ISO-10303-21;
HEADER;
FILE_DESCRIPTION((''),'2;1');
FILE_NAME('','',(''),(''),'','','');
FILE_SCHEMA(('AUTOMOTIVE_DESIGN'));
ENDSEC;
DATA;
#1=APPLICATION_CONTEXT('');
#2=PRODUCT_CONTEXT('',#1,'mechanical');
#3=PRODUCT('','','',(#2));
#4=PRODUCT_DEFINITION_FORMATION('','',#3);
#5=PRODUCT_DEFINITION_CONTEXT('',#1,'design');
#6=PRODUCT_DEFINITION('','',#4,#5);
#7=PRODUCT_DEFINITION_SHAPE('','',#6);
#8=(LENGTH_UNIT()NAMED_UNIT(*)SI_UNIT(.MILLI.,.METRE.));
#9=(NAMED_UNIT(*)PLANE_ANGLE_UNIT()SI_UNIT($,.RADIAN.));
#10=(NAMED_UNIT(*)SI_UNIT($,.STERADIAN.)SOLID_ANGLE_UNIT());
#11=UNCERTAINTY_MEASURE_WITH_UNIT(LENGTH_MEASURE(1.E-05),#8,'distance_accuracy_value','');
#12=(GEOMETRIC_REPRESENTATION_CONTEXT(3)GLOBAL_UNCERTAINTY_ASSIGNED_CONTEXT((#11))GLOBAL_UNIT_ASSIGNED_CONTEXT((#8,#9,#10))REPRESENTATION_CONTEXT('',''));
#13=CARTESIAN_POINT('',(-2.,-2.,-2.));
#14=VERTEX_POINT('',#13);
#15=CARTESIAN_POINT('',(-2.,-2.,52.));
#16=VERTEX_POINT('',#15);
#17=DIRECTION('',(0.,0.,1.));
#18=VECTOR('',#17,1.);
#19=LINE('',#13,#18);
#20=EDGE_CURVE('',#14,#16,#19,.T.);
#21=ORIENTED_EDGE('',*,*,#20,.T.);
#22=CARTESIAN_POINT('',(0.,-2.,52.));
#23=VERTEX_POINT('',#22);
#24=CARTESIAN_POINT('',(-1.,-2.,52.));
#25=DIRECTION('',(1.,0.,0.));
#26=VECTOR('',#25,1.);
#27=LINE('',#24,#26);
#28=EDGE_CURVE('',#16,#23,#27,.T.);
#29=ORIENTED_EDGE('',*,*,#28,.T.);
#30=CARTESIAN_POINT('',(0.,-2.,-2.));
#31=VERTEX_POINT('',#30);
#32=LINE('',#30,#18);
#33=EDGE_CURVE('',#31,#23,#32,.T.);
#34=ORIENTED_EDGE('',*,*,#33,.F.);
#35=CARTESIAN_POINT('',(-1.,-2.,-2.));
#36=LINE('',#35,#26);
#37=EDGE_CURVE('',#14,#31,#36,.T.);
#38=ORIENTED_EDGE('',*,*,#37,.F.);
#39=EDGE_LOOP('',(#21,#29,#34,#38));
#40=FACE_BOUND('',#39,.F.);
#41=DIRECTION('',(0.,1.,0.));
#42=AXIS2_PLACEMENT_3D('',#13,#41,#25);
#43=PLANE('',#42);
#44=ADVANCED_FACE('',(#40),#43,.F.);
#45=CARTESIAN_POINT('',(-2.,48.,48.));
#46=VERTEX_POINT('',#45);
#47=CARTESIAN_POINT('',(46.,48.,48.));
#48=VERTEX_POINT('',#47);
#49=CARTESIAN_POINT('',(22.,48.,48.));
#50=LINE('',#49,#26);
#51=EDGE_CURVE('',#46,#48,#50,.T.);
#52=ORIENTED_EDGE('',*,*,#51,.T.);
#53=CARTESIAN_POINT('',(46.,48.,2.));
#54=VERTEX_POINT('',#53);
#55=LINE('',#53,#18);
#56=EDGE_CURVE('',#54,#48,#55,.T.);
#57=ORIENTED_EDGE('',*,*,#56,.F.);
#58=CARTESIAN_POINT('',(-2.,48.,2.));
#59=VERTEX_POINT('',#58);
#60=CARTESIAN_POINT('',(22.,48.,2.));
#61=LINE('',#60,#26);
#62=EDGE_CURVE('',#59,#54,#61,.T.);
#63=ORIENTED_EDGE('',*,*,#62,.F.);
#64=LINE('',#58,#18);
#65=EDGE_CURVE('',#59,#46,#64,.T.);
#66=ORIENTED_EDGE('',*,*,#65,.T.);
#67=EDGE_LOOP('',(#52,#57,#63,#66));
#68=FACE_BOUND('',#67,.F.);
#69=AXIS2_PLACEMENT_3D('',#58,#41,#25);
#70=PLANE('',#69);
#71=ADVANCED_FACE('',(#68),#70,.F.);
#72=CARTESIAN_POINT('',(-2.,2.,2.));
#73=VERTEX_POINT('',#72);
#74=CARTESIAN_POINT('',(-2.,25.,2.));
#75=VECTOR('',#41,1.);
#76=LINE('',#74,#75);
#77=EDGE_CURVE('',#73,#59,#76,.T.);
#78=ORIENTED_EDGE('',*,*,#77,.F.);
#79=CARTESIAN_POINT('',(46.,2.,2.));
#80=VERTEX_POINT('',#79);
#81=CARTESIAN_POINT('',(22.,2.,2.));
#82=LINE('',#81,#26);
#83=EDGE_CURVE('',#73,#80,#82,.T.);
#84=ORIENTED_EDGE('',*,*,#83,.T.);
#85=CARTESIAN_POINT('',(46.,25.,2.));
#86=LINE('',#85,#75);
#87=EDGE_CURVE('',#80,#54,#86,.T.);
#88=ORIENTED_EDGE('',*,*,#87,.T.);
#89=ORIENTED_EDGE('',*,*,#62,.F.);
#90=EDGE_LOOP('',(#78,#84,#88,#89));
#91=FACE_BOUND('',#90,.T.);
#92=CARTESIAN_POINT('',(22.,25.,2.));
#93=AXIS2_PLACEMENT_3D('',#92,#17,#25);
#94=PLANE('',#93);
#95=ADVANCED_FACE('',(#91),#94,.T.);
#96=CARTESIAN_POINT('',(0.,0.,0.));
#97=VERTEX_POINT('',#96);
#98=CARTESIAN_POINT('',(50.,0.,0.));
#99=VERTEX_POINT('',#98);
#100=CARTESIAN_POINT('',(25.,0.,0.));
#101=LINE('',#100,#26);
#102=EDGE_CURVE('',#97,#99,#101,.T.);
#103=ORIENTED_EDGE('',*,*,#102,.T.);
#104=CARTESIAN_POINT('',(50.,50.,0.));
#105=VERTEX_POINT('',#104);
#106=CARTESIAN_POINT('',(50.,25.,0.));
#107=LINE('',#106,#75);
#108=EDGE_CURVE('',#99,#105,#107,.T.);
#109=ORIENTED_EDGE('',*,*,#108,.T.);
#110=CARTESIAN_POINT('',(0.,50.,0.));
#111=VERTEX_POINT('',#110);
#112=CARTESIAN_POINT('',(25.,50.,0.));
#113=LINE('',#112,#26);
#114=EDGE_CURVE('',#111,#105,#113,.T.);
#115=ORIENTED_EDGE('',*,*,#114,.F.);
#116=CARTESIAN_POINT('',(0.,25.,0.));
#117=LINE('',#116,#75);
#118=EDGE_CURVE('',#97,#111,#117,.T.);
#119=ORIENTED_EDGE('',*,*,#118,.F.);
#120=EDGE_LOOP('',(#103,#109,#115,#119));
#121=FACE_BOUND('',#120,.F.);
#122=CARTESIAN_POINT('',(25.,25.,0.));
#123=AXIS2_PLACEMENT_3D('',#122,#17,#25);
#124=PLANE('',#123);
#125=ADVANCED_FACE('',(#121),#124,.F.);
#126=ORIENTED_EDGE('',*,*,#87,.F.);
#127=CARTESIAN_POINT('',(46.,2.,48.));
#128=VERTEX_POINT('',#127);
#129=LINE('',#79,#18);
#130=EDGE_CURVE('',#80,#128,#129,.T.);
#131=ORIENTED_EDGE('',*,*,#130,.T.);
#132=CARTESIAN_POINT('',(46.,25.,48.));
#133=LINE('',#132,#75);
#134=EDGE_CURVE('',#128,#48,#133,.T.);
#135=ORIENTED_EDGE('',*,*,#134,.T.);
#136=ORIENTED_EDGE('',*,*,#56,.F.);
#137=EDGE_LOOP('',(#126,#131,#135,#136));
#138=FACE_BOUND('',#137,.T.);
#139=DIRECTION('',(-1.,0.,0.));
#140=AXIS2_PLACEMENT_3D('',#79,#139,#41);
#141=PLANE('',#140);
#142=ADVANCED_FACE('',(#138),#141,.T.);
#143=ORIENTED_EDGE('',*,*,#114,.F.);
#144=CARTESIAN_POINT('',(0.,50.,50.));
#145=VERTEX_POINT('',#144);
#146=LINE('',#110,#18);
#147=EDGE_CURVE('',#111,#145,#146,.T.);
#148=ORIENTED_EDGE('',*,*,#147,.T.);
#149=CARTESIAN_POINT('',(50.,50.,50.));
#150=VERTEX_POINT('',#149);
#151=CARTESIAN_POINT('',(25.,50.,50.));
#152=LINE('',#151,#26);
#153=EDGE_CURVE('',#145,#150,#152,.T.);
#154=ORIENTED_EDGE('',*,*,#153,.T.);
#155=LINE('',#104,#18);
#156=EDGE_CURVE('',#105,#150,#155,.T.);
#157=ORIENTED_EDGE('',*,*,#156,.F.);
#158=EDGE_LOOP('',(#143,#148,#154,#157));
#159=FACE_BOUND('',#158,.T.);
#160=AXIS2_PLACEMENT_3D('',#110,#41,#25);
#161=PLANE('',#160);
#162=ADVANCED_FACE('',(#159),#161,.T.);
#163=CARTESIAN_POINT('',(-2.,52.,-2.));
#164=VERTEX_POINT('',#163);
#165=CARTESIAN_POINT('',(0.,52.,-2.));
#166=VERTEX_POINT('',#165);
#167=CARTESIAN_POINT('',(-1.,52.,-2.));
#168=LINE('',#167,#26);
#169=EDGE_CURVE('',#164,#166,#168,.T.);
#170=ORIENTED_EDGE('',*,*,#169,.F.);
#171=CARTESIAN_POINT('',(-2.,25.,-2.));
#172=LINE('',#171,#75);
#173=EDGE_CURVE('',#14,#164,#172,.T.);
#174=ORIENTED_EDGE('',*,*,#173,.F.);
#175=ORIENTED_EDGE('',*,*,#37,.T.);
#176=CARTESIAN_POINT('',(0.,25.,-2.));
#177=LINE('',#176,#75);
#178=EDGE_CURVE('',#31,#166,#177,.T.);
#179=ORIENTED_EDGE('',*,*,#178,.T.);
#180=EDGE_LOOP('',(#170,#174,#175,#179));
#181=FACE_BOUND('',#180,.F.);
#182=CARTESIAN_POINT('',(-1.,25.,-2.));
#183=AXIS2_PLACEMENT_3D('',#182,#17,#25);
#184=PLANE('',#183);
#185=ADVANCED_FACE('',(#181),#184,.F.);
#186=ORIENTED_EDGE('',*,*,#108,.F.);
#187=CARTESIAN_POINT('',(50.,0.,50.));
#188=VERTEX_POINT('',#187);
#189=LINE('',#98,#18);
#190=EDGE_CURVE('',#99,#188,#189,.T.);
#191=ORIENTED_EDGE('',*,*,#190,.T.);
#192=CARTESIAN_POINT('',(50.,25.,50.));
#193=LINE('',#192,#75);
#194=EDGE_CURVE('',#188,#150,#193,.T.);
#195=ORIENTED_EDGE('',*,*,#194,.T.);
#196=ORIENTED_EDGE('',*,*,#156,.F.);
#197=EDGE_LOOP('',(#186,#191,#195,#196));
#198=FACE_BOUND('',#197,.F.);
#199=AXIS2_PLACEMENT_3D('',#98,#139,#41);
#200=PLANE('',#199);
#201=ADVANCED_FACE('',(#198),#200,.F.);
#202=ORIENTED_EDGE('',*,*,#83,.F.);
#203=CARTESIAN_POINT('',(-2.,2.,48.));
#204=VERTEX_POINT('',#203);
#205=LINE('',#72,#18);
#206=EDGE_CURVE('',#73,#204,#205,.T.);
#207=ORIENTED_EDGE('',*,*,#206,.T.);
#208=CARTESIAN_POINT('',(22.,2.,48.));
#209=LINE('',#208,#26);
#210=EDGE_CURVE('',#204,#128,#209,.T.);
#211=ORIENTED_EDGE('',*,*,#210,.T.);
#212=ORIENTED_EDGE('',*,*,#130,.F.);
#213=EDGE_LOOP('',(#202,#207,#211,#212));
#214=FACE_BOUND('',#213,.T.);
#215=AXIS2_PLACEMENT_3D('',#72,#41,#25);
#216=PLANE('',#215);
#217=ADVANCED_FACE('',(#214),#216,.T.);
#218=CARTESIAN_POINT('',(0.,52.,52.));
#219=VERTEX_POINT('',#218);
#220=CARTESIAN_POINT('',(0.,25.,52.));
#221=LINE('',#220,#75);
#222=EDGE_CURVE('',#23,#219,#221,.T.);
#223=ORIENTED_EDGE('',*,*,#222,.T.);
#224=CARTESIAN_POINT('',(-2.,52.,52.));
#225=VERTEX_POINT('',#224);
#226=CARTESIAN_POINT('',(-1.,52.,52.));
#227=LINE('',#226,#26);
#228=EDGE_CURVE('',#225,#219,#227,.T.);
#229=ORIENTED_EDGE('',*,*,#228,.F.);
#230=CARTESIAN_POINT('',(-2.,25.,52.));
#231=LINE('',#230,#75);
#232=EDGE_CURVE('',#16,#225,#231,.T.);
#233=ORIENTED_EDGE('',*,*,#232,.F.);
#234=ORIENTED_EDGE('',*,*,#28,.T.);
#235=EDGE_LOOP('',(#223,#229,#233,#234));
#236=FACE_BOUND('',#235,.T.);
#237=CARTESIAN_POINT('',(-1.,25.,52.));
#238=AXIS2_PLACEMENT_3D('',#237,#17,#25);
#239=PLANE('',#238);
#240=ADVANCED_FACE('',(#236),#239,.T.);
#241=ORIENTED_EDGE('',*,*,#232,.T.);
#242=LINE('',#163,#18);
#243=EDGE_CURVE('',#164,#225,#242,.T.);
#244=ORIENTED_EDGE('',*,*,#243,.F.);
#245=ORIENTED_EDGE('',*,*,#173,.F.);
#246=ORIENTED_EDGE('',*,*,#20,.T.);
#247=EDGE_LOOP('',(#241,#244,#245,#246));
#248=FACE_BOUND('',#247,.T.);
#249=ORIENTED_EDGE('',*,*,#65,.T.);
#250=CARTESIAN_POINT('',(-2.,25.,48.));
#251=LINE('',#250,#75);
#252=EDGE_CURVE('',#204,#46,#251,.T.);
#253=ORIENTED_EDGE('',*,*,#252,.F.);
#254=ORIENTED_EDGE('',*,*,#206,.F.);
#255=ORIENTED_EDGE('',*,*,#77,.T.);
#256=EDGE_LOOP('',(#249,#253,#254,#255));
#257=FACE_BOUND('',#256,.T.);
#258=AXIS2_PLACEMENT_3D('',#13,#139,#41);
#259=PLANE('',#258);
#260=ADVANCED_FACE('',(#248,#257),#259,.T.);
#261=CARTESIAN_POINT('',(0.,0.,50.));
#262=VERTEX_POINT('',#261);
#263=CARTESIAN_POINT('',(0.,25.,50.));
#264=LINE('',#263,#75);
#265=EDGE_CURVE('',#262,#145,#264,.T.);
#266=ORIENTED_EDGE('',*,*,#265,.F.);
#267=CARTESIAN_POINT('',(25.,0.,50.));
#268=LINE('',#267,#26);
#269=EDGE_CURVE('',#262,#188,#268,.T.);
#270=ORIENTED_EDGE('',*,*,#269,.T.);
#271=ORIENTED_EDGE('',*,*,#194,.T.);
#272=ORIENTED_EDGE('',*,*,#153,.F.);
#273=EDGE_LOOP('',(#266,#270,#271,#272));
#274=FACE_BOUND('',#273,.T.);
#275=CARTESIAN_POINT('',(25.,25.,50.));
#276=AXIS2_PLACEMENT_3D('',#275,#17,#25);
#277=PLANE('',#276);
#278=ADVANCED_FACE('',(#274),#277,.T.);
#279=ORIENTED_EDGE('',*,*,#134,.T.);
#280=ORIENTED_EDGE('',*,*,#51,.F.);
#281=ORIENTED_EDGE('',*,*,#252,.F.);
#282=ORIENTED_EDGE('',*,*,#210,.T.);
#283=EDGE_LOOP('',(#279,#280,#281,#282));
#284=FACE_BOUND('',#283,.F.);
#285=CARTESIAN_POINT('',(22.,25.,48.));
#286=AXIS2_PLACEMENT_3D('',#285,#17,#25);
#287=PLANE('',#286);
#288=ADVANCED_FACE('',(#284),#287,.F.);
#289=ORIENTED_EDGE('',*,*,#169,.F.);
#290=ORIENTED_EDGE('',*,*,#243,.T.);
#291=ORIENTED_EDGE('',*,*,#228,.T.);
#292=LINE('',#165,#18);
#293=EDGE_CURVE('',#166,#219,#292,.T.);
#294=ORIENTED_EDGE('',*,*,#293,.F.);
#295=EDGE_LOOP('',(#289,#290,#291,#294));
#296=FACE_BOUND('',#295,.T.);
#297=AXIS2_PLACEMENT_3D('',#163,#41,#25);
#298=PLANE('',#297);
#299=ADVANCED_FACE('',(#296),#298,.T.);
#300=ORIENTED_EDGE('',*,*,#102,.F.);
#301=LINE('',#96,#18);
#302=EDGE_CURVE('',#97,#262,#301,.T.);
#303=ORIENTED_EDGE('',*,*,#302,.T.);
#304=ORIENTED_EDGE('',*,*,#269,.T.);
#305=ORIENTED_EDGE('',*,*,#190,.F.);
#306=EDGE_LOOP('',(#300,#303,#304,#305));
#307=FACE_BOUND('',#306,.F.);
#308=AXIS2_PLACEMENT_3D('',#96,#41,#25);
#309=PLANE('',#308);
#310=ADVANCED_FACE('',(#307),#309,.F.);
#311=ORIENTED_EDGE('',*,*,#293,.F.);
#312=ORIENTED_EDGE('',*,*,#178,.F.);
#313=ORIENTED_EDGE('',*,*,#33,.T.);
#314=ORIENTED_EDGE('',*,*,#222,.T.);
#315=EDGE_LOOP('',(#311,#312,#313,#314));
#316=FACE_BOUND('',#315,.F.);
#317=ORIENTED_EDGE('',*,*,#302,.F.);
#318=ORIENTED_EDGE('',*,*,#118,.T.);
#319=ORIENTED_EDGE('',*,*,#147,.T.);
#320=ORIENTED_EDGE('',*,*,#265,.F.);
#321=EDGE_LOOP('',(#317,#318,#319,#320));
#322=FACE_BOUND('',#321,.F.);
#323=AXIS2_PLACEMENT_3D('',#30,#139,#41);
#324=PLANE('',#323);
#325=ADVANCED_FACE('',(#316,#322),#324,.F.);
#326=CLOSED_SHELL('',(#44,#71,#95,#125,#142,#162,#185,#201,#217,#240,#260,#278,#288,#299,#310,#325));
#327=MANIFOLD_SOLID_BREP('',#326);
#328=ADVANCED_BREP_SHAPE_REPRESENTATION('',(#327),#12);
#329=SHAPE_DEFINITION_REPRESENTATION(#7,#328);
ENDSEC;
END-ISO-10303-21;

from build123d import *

# Parameters (mm, degrees)
BOX002_W     = 48
BOX002_H     = 46
BOX002_DEPTH = 46
BOX_W        = 50
BOX_H        = 50
BOX_DEPTH    = 50
BOX001_W     = 2
BOX001_H     = 54
BOX001_DEPTH = 54


with BuildPart() as cube002:
    # Box002 → Box002 (new body)
    with BuildSketch(Plane(origin=(-2, 2, 2), x_dir=(1, 0, 0), z_dir=(0, 0, 1))):
        with Locations((24, 23)):
            Rectangle(BOX002_W, BOX002_H)
    extrude(amount=BOX002_DEPTH)


with BuildPart() as cube:
    # Box → Box (new body)
    with BuildSketch(Plane.XY):
        with Locations((25, 25)):
            Rectangle(BOX_W, BOX_H)
    extrude(amount=BOX_DEPTH)


with BuildPart() as cut:
    # Box001 → Box001 (new body)
    with BuildSketch(Plane(origin=(-2, -2, -2), x_dir=(1, 0, 0), z_dir=(0, 0, 1))):
        with Locations((1, 27)):
            Rectangle(BOX001_W, BOX001_H)
    extrude(amount=BOX001_DEPTH)

    # Fusion: union Cube
    add(cube.part)

    # Cut: cut Cube002
    add(cube002.part, mode=Mode.SUBTRACT)


solid = cut.part
